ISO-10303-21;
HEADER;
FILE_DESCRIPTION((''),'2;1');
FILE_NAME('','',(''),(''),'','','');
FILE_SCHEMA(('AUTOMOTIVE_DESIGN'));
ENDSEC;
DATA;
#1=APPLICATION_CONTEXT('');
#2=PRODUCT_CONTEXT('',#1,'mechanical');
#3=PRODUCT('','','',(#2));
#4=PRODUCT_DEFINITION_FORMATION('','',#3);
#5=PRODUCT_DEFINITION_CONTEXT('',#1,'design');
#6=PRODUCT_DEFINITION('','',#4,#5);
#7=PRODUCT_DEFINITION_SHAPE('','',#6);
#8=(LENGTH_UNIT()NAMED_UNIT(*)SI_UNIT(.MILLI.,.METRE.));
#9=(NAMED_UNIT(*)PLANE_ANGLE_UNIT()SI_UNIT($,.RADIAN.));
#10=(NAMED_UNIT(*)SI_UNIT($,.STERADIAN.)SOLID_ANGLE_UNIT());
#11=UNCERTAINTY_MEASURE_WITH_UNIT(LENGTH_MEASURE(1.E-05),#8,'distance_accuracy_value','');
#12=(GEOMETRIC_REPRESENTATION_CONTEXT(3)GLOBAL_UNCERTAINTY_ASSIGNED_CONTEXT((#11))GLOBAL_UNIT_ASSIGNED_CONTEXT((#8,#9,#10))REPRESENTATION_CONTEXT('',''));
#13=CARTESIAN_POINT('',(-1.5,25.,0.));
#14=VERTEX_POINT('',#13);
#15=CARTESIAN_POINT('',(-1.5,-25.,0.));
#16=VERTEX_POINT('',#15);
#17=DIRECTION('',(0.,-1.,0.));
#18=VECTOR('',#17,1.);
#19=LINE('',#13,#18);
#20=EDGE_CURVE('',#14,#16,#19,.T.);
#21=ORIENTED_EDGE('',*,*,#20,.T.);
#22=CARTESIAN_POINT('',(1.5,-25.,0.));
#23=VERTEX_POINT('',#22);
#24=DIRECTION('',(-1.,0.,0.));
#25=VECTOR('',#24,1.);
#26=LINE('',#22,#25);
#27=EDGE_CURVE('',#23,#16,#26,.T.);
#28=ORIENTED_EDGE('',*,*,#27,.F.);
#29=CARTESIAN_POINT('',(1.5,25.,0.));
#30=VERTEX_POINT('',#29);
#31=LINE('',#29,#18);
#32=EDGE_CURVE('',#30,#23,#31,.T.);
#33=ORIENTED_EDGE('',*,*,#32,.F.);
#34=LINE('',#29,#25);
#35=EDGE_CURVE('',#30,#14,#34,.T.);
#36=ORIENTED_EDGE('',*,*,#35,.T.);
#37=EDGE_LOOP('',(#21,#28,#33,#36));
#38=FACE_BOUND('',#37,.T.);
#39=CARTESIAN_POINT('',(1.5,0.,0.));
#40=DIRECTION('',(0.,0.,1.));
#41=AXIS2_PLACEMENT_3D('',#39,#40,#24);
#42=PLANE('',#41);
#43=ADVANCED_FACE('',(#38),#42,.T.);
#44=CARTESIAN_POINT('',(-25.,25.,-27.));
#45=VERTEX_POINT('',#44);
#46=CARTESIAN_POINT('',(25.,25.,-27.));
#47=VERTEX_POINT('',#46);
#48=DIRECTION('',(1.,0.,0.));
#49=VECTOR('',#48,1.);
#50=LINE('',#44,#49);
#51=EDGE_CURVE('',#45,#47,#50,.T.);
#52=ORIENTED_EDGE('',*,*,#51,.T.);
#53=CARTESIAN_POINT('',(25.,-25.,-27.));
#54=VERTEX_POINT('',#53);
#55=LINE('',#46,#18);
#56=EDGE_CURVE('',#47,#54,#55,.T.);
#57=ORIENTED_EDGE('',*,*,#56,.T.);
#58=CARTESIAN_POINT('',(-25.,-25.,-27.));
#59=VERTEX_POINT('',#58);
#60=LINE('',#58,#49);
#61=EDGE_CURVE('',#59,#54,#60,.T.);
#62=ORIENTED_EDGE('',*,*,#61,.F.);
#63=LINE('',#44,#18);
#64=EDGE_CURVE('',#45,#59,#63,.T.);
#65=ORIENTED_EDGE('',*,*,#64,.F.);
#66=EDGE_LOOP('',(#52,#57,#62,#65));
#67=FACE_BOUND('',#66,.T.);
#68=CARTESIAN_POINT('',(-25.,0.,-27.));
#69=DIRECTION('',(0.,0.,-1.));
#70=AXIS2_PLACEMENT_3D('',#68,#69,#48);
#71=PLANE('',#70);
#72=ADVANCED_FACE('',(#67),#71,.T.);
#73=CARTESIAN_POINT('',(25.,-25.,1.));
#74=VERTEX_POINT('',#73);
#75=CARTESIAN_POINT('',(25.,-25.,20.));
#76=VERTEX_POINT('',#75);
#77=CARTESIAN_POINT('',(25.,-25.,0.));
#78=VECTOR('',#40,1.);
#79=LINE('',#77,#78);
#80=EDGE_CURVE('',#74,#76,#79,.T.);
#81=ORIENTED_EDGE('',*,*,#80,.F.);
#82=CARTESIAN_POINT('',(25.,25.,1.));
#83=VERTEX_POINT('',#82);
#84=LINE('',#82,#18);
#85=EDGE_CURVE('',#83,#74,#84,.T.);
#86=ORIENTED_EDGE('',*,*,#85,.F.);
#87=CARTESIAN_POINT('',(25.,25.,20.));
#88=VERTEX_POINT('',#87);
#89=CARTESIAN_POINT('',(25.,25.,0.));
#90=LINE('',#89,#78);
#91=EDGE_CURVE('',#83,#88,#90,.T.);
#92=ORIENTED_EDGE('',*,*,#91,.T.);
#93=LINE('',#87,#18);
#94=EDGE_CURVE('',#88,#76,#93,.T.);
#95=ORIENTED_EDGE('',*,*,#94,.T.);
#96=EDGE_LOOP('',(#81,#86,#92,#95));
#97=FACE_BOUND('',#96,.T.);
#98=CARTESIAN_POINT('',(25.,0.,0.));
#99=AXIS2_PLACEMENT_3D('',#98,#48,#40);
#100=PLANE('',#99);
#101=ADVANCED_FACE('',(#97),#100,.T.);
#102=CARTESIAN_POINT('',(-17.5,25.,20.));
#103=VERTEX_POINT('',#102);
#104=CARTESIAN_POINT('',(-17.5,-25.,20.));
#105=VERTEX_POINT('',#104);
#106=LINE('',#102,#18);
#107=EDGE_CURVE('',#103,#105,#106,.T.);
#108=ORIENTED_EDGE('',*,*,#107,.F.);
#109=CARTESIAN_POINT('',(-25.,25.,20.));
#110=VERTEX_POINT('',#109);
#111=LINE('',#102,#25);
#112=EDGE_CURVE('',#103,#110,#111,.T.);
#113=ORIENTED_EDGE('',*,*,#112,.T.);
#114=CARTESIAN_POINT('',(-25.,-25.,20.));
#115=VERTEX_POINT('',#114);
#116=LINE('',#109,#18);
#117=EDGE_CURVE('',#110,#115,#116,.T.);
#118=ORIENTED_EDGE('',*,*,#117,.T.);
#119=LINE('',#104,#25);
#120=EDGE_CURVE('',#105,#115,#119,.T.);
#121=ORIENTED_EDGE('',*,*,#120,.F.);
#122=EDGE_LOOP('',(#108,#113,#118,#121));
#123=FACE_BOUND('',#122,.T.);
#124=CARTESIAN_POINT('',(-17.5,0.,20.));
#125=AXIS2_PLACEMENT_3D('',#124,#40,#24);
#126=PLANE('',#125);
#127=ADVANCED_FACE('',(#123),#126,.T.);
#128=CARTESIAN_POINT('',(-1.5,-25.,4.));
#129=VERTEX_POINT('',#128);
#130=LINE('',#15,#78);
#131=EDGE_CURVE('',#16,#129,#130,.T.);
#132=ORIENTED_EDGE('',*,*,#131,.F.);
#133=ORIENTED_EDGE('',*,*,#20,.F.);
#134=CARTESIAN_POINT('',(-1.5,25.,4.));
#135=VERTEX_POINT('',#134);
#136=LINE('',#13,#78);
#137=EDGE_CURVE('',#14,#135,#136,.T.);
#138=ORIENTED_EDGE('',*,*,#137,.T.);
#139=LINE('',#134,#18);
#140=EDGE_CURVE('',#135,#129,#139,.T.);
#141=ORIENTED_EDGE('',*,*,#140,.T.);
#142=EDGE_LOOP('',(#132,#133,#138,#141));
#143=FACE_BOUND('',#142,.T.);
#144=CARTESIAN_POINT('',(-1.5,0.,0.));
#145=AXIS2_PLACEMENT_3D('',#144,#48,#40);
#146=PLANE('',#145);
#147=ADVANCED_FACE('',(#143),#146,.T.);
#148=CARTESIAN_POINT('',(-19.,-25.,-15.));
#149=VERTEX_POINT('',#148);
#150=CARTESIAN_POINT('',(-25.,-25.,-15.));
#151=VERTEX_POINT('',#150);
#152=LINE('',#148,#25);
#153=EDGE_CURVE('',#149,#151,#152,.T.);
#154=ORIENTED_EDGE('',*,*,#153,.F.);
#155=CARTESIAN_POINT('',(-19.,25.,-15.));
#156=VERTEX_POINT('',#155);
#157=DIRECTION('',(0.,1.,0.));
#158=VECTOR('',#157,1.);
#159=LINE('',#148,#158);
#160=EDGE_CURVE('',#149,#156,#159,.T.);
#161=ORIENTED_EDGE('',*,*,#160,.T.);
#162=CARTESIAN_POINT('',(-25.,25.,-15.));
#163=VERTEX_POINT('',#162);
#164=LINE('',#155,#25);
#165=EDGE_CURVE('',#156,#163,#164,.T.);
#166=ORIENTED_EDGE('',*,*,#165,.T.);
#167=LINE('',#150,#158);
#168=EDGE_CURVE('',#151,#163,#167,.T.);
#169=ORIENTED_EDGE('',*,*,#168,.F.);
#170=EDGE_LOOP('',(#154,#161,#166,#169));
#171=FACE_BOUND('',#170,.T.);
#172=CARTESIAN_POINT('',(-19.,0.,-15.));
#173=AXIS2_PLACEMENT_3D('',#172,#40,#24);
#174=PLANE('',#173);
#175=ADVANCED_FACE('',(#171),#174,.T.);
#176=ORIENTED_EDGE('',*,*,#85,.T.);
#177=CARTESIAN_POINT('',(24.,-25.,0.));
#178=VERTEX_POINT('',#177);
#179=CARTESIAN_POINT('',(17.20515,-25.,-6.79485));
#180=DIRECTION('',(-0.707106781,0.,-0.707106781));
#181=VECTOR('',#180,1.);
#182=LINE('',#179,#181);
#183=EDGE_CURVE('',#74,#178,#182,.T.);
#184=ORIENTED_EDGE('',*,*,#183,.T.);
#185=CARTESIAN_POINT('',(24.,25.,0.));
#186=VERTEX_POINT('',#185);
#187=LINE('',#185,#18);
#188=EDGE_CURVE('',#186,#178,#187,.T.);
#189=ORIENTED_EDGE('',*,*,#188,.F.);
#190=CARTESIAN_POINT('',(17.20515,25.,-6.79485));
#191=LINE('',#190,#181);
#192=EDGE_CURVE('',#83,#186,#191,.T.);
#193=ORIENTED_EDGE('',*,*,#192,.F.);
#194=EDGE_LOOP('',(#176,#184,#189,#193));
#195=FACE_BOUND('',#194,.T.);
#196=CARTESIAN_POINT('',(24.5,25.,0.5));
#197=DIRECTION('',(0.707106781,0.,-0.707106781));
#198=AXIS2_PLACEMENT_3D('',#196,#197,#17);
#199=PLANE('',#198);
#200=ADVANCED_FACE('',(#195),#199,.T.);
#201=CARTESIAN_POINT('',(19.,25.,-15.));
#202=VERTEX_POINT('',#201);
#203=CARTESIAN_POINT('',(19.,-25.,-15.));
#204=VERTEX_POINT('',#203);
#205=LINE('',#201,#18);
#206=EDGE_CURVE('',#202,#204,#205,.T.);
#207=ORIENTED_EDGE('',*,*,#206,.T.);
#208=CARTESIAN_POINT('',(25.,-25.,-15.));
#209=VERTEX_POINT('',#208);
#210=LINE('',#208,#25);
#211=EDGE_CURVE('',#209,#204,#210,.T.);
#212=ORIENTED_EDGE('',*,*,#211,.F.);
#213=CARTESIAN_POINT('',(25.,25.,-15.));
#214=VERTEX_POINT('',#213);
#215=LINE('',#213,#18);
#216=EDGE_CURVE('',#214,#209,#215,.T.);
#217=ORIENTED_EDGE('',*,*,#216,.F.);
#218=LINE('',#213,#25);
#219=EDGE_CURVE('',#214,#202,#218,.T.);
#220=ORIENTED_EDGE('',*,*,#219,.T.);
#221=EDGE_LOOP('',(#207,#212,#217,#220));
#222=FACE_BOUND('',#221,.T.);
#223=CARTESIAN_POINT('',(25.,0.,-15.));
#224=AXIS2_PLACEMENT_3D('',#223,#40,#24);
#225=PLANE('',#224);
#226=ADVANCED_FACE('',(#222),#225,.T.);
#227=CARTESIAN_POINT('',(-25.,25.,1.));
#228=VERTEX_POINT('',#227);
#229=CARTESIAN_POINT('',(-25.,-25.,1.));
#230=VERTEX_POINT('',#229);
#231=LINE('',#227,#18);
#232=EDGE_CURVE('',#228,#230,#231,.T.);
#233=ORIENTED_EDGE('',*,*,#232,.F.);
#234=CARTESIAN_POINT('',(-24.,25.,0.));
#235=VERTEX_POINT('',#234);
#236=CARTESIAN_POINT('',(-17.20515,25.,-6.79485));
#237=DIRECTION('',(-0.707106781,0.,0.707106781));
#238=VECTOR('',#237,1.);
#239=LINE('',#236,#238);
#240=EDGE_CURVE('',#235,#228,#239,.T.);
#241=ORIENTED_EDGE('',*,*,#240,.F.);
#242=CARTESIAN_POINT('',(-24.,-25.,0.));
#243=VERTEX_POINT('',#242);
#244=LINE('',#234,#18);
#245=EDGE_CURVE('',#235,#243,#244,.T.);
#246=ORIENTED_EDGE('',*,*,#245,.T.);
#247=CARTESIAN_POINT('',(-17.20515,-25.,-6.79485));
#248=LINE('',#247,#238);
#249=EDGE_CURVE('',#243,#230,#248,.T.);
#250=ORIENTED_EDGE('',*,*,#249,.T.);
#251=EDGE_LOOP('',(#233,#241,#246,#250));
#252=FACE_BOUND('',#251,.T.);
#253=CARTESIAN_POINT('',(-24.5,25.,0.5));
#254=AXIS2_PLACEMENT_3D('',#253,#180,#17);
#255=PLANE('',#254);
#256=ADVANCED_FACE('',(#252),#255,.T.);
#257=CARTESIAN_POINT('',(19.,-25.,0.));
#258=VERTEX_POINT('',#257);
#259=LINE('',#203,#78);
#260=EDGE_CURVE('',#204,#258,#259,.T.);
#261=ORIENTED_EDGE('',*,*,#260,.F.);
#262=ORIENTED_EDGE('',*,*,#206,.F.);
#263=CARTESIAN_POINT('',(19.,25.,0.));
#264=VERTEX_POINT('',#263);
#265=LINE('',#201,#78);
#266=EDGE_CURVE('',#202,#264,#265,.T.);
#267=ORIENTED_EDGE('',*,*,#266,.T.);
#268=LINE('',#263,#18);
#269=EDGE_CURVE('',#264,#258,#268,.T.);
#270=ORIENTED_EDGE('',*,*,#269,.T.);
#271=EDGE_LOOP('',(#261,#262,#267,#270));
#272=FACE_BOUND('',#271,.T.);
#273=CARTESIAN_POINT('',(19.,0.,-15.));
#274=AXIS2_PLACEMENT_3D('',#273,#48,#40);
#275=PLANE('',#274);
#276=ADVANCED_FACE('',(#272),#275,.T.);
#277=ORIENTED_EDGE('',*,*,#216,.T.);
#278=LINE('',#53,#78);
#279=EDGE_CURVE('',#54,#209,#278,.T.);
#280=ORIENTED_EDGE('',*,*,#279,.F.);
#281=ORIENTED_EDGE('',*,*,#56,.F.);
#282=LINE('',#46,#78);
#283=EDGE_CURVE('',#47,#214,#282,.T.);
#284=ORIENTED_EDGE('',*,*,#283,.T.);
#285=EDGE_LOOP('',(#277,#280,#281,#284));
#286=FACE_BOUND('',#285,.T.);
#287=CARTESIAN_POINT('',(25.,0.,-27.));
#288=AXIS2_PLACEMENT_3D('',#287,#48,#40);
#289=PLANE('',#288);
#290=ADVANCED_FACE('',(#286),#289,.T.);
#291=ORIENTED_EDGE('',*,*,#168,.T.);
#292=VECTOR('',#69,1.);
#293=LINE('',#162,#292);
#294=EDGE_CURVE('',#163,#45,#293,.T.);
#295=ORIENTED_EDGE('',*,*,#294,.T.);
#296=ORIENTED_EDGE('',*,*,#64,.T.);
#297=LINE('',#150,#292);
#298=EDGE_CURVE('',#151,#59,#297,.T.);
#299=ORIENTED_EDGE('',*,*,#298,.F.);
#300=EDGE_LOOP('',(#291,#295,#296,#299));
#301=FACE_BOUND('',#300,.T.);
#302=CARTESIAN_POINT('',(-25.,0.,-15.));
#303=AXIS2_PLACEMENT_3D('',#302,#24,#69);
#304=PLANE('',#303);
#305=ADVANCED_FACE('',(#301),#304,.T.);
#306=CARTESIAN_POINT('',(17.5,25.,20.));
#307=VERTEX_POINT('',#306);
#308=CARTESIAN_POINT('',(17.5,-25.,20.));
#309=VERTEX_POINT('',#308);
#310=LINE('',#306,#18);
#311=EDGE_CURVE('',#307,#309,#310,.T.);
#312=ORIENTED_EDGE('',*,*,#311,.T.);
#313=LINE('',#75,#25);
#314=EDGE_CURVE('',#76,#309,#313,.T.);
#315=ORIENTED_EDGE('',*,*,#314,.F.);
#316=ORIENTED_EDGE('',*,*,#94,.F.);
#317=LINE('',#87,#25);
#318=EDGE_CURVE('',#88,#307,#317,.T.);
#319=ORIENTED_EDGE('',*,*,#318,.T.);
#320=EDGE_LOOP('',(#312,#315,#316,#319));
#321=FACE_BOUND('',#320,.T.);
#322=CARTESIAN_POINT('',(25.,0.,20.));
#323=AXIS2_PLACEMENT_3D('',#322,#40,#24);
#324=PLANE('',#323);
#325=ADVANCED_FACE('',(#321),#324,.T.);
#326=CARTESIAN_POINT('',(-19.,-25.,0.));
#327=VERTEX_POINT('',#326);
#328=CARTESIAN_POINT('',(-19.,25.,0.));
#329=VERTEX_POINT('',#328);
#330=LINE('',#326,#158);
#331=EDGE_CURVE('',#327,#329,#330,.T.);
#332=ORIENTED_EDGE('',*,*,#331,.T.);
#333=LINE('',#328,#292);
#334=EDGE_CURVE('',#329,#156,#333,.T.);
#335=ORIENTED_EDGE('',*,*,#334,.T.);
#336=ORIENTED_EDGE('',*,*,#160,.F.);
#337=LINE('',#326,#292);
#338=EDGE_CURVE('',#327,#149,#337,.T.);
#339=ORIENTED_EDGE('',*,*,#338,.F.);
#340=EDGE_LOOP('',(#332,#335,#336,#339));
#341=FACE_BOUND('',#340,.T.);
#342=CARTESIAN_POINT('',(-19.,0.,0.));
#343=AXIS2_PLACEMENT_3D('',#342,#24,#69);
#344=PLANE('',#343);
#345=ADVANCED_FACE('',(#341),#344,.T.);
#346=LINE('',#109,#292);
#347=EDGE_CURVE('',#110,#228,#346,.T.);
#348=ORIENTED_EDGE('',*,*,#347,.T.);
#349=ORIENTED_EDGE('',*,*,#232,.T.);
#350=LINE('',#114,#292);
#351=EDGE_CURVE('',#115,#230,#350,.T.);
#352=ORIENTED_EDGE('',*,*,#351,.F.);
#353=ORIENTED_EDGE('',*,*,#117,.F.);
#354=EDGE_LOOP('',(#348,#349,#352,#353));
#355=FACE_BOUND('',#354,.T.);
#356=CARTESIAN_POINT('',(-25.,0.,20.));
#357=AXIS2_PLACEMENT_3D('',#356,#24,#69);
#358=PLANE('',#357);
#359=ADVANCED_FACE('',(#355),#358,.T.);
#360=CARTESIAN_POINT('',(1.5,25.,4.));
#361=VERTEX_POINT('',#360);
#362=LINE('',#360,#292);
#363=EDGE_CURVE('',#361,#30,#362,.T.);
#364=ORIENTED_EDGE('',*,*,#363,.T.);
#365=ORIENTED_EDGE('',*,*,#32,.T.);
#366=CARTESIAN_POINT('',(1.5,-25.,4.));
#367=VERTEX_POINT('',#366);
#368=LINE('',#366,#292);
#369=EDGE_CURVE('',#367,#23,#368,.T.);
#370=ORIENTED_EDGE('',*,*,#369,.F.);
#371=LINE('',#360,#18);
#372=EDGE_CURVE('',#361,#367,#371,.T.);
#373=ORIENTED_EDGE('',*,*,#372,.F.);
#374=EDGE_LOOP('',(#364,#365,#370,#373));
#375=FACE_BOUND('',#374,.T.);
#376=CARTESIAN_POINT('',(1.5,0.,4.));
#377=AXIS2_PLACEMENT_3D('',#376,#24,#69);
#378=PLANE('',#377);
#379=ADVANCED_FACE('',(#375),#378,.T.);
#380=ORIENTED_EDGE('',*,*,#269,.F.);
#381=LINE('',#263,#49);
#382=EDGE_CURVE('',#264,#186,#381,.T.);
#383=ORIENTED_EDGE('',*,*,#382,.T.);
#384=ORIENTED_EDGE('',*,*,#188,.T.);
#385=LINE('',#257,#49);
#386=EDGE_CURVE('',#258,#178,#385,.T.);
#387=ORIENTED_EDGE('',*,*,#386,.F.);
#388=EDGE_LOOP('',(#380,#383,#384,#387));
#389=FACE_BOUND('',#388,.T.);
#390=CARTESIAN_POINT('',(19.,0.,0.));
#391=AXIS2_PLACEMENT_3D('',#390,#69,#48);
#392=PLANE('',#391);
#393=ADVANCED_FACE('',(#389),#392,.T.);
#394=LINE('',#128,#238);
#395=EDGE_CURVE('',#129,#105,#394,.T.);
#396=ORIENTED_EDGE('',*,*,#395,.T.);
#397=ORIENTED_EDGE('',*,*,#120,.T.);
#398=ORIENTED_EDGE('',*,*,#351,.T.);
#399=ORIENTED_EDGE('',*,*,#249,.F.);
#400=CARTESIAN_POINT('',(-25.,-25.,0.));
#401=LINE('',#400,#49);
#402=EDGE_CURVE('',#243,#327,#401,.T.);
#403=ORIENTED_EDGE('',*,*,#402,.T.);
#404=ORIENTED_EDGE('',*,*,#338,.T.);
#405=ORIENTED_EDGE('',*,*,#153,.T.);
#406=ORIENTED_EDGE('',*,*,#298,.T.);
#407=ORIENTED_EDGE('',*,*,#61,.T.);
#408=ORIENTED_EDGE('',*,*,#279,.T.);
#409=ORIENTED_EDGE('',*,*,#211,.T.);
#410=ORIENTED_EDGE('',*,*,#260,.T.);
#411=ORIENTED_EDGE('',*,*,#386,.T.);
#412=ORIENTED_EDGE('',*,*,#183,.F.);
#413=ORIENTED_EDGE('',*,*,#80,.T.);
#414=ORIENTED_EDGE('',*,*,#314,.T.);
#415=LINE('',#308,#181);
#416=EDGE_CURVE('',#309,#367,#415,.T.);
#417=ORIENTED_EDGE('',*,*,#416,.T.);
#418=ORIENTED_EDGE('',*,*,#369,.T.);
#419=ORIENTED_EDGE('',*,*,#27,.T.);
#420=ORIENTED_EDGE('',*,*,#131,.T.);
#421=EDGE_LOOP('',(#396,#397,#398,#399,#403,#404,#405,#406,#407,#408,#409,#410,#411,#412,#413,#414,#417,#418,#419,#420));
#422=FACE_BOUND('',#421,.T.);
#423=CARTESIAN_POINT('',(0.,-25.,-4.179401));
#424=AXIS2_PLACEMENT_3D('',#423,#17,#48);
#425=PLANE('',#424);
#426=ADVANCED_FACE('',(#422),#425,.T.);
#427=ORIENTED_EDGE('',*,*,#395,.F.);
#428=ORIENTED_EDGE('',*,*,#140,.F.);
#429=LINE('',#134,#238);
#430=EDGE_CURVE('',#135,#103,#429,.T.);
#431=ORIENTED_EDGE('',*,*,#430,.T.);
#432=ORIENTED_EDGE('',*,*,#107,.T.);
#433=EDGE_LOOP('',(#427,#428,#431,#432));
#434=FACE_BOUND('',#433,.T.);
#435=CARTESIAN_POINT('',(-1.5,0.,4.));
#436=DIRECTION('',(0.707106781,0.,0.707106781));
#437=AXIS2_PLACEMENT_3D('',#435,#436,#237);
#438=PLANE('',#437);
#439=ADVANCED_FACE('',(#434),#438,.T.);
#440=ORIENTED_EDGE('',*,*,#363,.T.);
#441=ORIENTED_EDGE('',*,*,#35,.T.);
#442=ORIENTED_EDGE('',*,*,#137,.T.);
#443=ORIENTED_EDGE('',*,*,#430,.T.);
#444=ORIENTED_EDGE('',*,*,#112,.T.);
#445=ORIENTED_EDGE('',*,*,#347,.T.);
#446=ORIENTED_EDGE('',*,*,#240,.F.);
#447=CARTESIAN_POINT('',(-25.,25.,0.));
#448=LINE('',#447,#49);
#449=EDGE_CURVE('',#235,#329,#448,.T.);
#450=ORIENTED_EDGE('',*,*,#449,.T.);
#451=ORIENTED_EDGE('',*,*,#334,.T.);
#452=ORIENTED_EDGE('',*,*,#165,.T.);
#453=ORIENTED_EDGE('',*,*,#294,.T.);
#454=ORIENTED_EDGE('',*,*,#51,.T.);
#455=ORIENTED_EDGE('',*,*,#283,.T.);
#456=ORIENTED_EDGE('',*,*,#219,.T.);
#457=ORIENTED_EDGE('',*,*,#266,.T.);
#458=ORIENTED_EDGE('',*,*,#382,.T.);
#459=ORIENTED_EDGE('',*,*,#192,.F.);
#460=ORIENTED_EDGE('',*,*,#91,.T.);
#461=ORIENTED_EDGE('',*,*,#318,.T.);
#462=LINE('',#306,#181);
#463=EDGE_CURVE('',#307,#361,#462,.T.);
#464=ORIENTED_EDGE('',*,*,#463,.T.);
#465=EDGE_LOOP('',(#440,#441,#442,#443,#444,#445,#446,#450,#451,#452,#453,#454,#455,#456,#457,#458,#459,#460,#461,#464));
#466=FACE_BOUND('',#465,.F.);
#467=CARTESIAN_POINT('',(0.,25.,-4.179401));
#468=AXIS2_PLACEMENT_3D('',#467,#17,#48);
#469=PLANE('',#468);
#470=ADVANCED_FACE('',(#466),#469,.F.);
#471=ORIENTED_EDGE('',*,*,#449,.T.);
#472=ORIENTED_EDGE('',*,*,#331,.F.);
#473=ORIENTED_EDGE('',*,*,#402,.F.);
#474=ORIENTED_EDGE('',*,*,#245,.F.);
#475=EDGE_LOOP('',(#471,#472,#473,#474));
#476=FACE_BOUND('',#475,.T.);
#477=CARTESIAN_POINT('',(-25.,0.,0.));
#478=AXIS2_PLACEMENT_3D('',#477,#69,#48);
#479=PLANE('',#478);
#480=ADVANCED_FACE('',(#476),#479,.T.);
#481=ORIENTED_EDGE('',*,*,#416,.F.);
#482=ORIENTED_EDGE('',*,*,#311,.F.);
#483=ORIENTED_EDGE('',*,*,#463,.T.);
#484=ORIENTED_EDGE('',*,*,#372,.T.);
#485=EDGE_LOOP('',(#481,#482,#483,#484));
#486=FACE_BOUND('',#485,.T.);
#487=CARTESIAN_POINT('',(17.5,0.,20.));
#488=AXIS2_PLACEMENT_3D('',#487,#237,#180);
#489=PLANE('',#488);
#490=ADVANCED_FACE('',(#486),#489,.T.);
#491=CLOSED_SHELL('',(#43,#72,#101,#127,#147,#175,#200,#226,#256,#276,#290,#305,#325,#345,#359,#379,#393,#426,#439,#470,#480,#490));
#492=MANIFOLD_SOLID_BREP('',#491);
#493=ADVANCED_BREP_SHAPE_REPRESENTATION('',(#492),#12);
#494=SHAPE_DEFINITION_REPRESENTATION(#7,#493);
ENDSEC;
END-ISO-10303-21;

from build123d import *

# Parameters (mm, degrees)
F1_DEPTH = 25
F2_SIZE2 = 1
F2_SIZE  = 1


with BuildPart() as f1:
    # F0 (on Front) → F1 (new body, symmetric)
    with BuildSketch(Plane.XZ):
        Polygon((-25, -15), (-25, -27), (25, -27), (25, -15), (19, -15), (19, 0), (25, 0), (25, 20), (17.5, 20), (1.5, 4), (1.5, 0), (-1.5, 0), (-1.5, 4), (-17.5, 20), (-25, 20), (-25, 0), (-19, 0), (-19, -15), align=None)
    extrude(amount=F1_DEPTH, both=True)

    # F2
    f2_edges = [f1.edges().sort_by_distance(p)[0] for p in [
        (25, 0, 0),
        (-25, 0, 0),
    ]]
    chamfer(f2_edges, length=F2_SIZE, length2=F2_SIZE2)


solid = f1.part
